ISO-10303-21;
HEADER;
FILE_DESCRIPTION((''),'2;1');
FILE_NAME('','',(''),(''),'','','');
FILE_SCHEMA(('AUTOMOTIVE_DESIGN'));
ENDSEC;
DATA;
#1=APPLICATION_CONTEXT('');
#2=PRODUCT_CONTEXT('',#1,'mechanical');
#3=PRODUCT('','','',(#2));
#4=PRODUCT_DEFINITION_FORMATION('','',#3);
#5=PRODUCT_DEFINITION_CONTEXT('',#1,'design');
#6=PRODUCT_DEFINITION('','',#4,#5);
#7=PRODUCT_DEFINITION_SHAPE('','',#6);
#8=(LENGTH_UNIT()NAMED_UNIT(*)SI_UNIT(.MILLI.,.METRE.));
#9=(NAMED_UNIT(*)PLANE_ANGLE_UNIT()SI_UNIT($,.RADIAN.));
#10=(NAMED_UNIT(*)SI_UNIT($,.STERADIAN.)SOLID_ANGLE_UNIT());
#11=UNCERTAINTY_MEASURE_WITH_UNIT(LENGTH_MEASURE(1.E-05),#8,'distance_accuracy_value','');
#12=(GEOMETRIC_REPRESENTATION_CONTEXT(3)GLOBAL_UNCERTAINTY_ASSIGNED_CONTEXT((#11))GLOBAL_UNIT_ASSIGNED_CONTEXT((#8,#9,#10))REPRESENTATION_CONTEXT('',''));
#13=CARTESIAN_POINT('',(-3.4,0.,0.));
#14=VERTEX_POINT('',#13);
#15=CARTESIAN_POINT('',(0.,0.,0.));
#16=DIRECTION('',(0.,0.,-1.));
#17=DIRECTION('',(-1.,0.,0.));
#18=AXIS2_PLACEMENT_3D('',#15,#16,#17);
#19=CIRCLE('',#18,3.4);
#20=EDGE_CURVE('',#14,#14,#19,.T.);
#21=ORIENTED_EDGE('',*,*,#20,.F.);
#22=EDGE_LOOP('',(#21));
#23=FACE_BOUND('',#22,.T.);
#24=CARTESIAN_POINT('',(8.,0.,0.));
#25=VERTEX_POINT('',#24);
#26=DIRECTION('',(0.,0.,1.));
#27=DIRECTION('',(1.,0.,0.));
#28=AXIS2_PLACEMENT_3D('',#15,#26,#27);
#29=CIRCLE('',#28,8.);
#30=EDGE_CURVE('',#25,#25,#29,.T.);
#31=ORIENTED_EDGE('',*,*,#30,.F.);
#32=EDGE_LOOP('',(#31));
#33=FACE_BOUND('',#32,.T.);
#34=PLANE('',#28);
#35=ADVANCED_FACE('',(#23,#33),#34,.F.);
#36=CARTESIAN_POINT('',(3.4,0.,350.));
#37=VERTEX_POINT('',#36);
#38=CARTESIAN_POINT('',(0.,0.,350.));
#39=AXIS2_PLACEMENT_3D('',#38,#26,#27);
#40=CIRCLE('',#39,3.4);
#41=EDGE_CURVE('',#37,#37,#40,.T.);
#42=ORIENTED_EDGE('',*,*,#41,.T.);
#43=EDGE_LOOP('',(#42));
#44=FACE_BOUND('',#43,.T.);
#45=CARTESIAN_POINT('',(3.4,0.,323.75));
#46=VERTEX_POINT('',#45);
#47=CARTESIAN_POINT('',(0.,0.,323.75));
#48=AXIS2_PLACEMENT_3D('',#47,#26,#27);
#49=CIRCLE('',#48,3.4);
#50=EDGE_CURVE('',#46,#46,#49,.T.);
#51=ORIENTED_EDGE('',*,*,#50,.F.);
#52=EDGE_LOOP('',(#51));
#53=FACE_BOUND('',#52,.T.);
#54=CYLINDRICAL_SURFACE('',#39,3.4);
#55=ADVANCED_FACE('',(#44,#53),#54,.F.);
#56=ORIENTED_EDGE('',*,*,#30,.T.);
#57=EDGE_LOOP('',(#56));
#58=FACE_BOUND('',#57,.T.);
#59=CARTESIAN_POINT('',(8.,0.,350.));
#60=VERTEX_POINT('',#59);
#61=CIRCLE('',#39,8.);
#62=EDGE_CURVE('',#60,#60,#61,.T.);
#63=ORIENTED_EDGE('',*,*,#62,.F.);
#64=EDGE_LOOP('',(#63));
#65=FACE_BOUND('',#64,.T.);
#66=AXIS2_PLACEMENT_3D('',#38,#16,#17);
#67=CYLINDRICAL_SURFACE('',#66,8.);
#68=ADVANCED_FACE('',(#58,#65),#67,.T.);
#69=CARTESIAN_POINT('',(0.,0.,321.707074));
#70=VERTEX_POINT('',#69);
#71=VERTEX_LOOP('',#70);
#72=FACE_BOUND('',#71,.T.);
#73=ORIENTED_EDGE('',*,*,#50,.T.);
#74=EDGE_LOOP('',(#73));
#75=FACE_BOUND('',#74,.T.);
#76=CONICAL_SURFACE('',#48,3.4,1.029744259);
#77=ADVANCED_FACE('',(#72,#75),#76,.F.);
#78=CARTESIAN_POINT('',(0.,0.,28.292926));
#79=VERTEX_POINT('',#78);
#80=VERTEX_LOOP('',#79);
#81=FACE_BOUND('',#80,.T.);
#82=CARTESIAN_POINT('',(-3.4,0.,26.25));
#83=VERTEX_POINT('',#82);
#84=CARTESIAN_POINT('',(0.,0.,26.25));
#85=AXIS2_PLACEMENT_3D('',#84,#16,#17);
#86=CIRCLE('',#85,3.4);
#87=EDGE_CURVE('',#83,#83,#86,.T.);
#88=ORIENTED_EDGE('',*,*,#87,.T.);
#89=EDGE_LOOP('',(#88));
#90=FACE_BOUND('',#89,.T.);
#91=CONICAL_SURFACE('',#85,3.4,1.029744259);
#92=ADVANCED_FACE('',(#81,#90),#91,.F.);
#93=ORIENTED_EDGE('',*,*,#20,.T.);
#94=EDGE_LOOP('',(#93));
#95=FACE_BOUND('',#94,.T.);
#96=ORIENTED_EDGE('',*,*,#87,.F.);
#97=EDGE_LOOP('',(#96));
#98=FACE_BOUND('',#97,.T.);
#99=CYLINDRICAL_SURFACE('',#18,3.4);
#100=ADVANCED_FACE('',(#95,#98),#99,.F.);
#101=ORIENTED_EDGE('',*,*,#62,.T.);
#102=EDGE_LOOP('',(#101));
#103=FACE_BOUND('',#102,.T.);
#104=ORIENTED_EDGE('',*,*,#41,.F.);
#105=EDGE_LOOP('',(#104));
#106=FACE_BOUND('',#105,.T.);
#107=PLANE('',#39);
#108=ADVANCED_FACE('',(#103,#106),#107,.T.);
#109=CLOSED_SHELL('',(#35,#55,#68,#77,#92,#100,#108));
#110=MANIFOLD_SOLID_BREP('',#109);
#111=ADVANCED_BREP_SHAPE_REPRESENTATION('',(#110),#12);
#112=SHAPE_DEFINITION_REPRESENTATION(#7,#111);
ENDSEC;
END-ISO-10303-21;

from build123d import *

# Parameters (mm, degrees)
SKETCH_1_R             = 8
EXTRUDE_1_DEPTH        = 350
HOLE_WIZARD_M8_2_D     = 6.8
HOLE_WIZARD_M8_2_DEPTH = 26.25
HOLE_WIZARD_M8_2_TIP   = 2.042926105


with BuildPart() as part:
    # 草图1 → 凸台-拉伸1 (new body)
    with BuildSketch(Plane.XY):
        Circle(SKETCH_1_R)
    extrude(amount=EXTRUDE_1_DEPTH)

    # 草图5 → M8 螺纹孔1 (revolve, cut)
    with BuildSketch(Plane(origin=(0, 0, 350), x_dir=(0, -1, 0), z_dir=(1, 0, 0))):
        Polygon((0, 0), (0, 28.292926105), (3.4, 26.25), (3.4, 0), align=None)
    revolve(axis=Axis((0, 0, 356.35), (0, 0, -1)), mode=Mode.SUBTRACT)

    # M8 螺纹孔2
    with Locations(Plane(origin=(0, 0, 0), x_dir=(-1, 0, 0), z_dir=(0, 0, -1))):
        with Locations((0, 0)):
            Hole(HOLE_WIZARD_M8_2_D / 2, depth=HOLE_WIZARD_M8_2_DEPTH)
            with Locations((0, 0, -(HOLE_WIZARD_M8_2_DEPTH + HOLE_WIZARD_M8_2_TIP / 2))):  # 118° drill point
                Cone(0, HOLE_WIZARD_M8_2_D / 2, HOLE_WIZARD_M8_2_TIP, mode=Mode.SUBTRACT)


solid = part.part
